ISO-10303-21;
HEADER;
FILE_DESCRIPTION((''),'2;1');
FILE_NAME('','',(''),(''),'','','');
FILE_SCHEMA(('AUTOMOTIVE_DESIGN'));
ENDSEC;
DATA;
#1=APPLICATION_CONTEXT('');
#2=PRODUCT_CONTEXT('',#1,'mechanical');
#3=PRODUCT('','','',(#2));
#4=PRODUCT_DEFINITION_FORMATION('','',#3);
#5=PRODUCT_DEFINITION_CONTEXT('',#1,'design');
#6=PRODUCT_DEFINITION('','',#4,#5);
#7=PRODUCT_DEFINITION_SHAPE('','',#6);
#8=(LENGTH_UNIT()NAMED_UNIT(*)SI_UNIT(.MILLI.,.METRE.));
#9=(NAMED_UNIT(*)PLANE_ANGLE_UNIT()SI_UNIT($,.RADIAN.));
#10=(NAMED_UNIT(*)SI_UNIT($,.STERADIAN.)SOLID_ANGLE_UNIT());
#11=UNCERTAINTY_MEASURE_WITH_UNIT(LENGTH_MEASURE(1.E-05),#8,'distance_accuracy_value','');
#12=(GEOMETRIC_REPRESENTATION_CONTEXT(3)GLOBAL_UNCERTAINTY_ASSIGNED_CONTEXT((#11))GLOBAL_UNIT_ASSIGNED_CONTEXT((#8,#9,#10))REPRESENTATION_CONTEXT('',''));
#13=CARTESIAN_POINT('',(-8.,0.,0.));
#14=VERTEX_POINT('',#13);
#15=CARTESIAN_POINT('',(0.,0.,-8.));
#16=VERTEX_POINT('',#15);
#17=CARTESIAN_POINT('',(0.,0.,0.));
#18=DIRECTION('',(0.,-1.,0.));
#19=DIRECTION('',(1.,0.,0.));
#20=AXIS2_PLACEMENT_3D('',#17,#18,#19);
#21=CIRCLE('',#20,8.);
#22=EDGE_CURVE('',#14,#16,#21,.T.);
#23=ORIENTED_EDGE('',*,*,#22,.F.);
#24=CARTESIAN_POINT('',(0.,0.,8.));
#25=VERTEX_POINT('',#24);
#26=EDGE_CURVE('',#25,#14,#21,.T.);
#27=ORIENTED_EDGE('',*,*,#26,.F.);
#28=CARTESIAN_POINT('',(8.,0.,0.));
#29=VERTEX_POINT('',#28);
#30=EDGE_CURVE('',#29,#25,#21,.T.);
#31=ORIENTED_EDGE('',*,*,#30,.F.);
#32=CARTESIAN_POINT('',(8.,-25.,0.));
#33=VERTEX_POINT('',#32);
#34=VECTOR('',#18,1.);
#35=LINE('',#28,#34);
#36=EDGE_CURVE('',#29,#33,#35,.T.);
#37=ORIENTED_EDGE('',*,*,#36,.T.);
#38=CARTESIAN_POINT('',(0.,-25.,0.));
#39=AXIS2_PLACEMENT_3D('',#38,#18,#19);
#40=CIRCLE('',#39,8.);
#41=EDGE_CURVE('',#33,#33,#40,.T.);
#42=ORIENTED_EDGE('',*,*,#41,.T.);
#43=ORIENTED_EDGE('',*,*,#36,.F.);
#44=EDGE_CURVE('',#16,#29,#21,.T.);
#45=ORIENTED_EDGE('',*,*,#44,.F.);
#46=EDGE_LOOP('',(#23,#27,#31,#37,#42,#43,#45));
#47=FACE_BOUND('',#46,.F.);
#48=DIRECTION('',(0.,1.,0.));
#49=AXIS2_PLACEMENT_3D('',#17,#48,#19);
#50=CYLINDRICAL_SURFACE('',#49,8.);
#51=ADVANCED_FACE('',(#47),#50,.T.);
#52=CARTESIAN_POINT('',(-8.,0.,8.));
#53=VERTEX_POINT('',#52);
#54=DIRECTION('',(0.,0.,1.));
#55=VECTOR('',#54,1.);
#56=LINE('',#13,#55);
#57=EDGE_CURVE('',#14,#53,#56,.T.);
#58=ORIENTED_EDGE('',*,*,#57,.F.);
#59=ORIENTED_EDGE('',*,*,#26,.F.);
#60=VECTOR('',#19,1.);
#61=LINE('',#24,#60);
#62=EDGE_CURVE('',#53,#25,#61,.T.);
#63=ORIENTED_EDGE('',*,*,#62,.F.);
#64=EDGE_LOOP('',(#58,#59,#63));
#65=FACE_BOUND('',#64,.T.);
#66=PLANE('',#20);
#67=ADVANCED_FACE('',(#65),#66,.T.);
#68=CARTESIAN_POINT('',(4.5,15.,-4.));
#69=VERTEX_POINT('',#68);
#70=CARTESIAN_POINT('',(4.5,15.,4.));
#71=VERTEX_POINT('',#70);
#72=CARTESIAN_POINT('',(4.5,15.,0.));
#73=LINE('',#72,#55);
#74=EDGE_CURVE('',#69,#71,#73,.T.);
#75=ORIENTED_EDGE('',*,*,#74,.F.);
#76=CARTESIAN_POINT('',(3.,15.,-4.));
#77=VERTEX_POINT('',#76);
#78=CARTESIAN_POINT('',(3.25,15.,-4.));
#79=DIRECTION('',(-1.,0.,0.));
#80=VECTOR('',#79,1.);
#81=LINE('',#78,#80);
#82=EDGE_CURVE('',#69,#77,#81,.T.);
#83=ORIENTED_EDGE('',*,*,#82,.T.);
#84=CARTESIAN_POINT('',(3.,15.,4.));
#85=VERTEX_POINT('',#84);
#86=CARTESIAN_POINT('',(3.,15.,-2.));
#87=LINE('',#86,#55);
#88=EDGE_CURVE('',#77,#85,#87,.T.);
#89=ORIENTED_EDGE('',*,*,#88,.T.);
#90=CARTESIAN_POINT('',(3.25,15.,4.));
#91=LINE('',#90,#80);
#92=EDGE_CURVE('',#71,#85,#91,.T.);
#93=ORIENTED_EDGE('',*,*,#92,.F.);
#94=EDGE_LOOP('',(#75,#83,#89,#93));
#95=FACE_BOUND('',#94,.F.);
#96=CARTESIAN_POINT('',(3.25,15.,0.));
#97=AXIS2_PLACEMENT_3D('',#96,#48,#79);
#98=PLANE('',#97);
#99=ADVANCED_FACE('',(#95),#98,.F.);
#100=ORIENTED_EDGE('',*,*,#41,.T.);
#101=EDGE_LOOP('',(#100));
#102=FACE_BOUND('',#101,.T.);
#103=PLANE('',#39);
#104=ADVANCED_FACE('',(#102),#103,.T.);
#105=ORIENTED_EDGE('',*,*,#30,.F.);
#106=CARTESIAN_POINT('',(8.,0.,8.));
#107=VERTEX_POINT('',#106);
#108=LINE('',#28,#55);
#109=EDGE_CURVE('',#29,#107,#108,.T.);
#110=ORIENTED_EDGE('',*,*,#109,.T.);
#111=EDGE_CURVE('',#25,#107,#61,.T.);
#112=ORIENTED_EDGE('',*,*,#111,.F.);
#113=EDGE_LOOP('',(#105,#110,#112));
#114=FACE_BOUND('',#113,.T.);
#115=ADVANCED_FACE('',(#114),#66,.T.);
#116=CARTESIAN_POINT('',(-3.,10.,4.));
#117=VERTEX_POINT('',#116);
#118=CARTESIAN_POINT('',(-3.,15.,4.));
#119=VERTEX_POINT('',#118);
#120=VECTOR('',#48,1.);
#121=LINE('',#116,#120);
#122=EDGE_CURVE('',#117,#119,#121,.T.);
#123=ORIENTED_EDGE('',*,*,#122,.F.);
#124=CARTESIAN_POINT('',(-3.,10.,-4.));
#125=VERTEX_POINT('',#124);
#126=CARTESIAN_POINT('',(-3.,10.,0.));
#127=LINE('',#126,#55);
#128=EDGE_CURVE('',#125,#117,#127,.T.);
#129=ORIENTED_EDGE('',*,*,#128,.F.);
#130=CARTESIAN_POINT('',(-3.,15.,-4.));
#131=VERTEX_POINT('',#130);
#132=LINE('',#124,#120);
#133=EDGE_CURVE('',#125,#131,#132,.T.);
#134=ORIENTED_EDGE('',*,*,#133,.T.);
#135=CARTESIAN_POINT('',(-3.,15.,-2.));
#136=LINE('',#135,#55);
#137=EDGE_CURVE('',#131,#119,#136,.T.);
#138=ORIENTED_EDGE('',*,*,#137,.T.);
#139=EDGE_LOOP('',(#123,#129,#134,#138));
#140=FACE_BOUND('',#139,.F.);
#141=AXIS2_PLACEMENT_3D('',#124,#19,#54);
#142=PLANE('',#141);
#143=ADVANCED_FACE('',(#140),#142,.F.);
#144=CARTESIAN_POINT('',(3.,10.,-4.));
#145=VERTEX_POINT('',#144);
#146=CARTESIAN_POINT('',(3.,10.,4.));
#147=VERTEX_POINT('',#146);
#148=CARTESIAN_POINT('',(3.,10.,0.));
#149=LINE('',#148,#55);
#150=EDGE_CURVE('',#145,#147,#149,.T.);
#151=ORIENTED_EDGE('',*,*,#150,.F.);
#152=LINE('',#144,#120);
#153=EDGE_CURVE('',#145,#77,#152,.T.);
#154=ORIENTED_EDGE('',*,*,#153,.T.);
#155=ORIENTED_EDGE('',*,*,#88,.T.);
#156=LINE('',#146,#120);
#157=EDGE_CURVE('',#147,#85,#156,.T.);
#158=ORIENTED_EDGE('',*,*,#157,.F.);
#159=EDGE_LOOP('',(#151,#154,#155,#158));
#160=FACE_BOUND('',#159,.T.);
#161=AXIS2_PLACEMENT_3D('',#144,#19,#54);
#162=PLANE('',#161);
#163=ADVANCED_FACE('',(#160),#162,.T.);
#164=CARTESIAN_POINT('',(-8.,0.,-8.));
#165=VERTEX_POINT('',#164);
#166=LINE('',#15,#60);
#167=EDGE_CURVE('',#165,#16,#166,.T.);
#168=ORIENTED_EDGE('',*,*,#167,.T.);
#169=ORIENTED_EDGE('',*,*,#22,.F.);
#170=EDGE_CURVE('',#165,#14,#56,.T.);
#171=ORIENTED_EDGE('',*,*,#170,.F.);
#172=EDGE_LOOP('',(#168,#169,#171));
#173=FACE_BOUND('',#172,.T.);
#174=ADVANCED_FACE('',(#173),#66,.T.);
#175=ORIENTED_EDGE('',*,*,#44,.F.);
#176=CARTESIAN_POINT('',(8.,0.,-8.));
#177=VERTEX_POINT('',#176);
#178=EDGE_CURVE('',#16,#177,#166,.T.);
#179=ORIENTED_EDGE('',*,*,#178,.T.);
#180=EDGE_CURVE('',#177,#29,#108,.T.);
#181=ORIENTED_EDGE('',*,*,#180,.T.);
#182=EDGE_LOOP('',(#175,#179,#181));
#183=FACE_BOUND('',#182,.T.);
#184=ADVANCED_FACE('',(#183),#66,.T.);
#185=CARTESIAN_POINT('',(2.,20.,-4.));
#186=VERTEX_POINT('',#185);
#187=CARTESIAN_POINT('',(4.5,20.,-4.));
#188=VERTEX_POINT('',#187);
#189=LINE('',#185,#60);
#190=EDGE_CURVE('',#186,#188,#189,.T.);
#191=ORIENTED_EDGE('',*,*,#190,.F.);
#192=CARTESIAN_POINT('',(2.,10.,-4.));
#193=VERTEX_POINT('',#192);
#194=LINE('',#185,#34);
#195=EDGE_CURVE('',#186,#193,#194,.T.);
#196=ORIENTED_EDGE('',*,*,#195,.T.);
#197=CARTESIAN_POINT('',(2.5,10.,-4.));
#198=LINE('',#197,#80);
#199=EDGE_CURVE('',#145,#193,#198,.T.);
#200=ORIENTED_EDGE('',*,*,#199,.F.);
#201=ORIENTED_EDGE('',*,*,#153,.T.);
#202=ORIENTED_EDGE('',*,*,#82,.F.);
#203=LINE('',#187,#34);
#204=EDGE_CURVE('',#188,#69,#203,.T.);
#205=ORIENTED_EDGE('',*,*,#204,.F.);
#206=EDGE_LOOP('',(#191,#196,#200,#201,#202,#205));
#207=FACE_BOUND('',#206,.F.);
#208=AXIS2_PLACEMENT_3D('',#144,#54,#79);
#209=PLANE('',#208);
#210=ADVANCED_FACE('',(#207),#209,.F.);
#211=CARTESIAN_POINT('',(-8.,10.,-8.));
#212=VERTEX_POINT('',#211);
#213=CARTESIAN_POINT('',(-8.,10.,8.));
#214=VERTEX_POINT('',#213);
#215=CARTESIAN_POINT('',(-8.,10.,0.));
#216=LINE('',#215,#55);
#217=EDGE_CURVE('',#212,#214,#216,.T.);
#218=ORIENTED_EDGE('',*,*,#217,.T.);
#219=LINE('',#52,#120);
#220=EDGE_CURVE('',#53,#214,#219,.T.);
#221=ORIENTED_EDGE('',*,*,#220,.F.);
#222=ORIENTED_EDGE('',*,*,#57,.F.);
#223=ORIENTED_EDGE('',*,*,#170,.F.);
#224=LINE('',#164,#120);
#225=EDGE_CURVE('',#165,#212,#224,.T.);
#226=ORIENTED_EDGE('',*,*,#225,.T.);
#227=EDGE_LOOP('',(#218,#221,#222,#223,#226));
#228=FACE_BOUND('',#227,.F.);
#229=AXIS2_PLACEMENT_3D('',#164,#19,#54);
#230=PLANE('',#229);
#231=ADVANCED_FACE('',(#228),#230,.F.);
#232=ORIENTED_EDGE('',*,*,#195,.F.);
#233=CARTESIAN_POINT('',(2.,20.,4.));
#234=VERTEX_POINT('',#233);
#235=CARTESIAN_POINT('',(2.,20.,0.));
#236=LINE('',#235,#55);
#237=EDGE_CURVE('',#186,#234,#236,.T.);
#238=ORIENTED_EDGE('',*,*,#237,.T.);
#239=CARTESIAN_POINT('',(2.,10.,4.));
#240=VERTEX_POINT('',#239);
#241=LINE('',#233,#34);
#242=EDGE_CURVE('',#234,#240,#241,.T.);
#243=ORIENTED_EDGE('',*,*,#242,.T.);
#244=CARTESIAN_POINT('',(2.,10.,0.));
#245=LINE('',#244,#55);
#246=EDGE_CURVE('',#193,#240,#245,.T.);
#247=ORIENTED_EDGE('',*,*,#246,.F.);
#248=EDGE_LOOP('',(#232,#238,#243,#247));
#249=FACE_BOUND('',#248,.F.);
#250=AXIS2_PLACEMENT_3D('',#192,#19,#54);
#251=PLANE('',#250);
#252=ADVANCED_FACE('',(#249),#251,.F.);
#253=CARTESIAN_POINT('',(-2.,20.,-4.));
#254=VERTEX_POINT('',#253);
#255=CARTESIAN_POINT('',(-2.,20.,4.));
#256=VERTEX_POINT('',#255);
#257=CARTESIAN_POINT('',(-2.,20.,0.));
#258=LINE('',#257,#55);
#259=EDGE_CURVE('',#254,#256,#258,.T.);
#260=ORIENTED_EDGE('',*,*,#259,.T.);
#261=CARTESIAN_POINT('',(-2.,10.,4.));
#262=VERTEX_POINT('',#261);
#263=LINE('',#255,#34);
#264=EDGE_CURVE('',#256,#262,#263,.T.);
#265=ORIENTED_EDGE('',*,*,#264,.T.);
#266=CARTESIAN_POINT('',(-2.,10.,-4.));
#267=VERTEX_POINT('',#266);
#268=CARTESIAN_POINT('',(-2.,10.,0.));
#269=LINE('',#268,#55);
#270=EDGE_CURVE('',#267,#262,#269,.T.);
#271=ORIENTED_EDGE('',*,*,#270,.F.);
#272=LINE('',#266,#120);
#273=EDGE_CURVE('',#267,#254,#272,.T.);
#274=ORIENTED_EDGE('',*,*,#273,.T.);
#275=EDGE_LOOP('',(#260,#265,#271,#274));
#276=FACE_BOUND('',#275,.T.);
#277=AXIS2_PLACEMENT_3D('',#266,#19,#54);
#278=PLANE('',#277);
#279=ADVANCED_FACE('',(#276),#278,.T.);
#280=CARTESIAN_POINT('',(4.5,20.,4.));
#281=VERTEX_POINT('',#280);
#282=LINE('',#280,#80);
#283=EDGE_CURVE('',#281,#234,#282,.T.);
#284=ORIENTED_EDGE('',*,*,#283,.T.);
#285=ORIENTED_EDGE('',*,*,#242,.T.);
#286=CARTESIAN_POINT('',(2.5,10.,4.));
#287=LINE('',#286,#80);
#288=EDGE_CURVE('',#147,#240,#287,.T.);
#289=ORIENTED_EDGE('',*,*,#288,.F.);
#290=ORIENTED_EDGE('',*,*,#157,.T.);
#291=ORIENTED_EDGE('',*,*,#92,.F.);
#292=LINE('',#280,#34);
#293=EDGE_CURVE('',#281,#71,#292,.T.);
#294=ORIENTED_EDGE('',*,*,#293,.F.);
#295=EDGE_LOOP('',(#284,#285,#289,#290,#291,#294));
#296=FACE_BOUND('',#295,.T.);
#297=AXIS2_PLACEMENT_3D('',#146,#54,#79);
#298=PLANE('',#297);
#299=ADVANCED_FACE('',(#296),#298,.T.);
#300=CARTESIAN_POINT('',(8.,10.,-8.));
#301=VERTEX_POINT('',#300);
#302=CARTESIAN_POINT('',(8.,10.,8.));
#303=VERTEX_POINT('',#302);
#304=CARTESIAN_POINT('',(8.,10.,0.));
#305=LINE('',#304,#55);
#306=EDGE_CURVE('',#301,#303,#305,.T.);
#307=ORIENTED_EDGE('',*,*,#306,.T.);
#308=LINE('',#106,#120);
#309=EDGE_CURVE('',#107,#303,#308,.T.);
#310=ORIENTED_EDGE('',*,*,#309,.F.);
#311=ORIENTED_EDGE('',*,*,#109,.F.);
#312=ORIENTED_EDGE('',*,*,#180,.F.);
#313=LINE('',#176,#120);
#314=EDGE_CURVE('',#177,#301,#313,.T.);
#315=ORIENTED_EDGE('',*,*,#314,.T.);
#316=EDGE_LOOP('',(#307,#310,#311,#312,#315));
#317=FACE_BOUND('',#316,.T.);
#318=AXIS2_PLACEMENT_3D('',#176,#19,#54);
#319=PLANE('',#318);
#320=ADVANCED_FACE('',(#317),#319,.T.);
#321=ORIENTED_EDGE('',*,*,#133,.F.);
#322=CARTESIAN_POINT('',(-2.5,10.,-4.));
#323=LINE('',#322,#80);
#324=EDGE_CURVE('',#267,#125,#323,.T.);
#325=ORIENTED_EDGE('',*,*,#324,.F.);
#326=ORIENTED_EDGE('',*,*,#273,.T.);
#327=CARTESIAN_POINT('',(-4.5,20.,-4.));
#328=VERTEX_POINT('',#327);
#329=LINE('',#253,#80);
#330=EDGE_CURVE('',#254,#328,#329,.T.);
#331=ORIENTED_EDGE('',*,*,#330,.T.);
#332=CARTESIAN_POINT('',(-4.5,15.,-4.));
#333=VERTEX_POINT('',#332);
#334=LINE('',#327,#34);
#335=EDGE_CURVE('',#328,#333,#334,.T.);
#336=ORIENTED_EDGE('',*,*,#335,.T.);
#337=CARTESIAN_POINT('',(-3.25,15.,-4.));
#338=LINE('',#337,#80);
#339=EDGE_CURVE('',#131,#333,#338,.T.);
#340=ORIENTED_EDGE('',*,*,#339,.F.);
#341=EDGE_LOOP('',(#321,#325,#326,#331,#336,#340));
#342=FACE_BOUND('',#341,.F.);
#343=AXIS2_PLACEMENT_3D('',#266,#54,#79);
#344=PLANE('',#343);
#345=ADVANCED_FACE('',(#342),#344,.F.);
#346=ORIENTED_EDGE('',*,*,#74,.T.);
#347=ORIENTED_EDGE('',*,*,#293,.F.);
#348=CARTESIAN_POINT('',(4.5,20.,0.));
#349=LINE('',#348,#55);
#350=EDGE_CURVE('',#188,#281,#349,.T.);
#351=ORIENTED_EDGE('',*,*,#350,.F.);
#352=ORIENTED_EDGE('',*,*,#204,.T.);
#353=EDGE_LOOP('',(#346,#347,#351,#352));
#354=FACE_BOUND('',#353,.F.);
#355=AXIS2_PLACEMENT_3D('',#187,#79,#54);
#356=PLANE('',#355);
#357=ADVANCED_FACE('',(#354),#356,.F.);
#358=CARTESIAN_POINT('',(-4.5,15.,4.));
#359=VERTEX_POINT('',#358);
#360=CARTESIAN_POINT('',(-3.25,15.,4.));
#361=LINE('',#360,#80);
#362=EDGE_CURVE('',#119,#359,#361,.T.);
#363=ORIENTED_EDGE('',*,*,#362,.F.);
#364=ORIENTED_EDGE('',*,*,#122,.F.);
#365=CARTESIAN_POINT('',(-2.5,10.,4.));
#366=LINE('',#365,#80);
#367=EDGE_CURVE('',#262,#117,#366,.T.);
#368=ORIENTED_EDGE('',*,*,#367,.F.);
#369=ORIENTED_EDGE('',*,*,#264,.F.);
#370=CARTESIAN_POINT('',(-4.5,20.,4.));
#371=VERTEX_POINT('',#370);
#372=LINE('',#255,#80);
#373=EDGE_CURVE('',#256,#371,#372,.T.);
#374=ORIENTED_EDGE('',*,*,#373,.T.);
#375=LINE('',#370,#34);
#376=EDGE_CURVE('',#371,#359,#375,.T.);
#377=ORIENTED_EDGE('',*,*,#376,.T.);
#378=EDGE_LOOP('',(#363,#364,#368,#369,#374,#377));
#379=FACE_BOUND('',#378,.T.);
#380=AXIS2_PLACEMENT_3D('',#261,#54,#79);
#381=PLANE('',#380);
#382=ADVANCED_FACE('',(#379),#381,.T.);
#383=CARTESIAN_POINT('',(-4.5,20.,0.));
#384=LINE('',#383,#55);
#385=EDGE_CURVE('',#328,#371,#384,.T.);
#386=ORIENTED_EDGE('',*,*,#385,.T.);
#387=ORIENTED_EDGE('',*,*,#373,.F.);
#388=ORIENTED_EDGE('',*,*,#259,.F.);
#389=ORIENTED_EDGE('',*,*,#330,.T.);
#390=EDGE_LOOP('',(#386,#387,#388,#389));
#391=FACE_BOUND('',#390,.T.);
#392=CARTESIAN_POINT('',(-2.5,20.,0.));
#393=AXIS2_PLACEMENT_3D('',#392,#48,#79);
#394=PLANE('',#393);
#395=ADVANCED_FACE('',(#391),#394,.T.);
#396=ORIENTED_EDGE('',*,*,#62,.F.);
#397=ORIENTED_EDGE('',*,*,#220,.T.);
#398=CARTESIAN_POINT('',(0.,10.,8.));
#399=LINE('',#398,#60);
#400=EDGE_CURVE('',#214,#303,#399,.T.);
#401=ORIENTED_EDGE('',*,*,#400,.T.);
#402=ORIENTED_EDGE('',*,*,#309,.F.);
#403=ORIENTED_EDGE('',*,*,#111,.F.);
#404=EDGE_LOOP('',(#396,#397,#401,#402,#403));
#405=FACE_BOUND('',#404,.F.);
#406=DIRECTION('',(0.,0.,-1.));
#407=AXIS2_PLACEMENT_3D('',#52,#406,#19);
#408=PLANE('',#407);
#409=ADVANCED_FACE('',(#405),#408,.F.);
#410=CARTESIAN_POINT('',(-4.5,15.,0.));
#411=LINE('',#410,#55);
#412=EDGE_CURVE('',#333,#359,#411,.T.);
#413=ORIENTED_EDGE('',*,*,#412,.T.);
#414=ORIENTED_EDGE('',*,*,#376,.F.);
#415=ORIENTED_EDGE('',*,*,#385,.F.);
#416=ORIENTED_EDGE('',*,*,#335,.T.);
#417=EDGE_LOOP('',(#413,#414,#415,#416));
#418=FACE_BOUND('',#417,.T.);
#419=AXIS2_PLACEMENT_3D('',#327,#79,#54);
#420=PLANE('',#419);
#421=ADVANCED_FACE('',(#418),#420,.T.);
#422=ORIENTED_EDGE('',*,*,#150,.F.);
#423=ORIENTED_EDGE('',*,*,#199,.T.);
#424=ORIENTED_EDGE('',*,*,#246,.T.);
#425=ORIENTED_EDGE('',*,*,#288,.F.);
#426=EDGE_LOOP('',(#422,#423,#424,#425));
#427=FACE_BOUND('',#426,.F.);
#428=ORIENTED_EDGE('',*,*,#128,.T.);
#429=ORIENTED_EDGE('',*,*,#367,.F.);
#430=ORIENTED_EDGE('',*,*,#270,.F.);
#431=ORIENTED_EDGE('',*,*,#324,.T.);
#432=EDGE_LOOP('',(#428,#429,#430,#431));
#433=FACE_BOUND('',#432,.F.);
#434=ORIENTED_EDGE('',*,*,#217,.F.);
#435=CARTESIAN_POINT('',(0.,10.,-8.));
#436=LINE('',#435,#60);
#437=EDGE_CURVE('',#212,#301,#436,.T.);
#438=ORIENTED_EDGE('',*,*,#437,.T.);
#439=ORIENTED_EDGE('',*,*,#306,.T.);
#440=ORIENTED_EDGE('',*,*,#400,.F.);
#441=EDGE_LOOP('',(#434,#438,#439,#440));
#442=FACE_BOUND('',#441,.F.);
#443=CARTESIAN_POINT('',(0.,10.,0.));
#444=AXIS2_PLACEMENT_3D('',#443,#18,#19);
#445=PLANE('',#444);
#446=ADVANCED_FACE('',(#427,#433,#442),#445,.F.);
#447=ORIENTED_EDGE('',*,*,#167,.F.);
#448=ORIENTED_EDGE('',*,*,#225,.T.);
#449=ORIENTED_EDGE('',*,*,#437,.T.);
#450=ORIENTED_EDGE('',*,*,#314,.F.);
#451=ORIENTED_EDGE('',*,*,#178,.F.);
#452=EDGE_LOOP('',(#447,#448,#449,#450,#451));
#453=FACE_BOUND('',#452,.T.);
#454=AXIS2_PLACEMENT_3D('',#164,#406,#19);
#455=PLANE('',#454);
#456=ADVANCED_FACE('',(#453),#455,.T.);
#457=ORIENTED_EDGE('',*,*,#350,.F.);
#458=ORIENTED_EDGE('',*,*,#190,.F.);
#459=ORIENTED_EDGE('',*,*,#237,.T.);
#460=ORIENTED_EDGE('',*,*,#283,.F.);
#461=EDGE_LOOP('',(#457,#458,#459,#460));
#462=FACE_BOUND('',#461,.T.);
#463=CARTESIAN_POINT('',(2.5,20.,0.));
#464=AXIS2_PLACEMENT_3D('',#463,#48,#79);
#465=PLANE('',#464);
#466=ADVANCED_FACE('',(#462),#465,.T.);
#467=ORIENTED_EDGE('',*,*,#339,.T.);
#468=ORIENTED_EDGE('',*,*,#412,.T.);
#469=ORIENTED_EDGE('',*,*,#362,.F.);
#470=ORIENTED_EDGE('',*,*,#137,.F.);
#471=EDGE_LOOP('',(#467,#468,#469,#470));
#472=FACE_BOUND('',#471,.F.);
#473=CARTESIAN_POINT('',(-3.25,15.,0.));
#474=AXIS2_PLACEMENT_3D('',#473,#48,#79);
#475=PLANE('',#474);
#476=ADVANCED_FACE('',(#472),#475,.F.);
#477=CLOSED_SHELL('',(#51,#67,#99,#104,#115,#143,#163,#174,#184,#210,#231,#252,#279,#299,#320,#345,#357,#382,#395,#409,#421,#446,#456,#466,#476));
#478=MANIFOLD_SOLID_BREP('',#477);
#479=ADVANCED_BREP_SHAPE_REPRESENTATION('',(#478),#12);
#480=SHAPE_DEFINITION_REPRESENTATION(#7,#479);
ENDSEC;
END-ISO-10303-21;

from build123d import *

# Parameters (mm, degrees)
F0_R     = 8
F1_DEPTH = 25
F2_W     = 16
F2_H     = 16
F3_DEPTH = 10
F4_W     = 1
F4_H     = 8
F5_DEPTH = 10
F6_W     = 2.5
F6_H     = 8
F7_DEPTH = 5


with BuildPart() as f1:
    # F0 (on Front) → F1 (new body)
    with BuildSketch(Plane.XZ):
        Circle(F0_R)
    extrude(amount=F1_DEPTH)

    # F2 (on face) → F3 (join)
    with BuildSketch(Plane.XZ):
        Rectangle(F2_W, F2_H)
    extrude(amount=-F3_DEPTH)

    # F4 (on face) → F5 (join)
    with BuildSketch(Plane(origin=(0, 10, 0), x_dir=(-1, 0, 0), z_dir=(0, 1, 0))):
        with Locations((2.5, 0)):
            Rectangle(F4_W, F4_H)
        with Locations((-2.5, 0)):
            Rectangle(F4_W, F4_H)
    extrude(amount=F5_DEPTH)

    # F6 (on face) → F7 (join)
    with BuildSketch(Plane(origin=(0, 20, 0), x_dir=(-1, 0, 0), z_dir=(0, 1, 0))):
        with Locations((3.25, 0)):
            Rectangle(F6_W, F6_H)
        with Locations((-3.25, 0)):
            Rectangle(F6_W, F6_H)
    extrude(amount=-F7_DEPTH)


solid = f1.part
